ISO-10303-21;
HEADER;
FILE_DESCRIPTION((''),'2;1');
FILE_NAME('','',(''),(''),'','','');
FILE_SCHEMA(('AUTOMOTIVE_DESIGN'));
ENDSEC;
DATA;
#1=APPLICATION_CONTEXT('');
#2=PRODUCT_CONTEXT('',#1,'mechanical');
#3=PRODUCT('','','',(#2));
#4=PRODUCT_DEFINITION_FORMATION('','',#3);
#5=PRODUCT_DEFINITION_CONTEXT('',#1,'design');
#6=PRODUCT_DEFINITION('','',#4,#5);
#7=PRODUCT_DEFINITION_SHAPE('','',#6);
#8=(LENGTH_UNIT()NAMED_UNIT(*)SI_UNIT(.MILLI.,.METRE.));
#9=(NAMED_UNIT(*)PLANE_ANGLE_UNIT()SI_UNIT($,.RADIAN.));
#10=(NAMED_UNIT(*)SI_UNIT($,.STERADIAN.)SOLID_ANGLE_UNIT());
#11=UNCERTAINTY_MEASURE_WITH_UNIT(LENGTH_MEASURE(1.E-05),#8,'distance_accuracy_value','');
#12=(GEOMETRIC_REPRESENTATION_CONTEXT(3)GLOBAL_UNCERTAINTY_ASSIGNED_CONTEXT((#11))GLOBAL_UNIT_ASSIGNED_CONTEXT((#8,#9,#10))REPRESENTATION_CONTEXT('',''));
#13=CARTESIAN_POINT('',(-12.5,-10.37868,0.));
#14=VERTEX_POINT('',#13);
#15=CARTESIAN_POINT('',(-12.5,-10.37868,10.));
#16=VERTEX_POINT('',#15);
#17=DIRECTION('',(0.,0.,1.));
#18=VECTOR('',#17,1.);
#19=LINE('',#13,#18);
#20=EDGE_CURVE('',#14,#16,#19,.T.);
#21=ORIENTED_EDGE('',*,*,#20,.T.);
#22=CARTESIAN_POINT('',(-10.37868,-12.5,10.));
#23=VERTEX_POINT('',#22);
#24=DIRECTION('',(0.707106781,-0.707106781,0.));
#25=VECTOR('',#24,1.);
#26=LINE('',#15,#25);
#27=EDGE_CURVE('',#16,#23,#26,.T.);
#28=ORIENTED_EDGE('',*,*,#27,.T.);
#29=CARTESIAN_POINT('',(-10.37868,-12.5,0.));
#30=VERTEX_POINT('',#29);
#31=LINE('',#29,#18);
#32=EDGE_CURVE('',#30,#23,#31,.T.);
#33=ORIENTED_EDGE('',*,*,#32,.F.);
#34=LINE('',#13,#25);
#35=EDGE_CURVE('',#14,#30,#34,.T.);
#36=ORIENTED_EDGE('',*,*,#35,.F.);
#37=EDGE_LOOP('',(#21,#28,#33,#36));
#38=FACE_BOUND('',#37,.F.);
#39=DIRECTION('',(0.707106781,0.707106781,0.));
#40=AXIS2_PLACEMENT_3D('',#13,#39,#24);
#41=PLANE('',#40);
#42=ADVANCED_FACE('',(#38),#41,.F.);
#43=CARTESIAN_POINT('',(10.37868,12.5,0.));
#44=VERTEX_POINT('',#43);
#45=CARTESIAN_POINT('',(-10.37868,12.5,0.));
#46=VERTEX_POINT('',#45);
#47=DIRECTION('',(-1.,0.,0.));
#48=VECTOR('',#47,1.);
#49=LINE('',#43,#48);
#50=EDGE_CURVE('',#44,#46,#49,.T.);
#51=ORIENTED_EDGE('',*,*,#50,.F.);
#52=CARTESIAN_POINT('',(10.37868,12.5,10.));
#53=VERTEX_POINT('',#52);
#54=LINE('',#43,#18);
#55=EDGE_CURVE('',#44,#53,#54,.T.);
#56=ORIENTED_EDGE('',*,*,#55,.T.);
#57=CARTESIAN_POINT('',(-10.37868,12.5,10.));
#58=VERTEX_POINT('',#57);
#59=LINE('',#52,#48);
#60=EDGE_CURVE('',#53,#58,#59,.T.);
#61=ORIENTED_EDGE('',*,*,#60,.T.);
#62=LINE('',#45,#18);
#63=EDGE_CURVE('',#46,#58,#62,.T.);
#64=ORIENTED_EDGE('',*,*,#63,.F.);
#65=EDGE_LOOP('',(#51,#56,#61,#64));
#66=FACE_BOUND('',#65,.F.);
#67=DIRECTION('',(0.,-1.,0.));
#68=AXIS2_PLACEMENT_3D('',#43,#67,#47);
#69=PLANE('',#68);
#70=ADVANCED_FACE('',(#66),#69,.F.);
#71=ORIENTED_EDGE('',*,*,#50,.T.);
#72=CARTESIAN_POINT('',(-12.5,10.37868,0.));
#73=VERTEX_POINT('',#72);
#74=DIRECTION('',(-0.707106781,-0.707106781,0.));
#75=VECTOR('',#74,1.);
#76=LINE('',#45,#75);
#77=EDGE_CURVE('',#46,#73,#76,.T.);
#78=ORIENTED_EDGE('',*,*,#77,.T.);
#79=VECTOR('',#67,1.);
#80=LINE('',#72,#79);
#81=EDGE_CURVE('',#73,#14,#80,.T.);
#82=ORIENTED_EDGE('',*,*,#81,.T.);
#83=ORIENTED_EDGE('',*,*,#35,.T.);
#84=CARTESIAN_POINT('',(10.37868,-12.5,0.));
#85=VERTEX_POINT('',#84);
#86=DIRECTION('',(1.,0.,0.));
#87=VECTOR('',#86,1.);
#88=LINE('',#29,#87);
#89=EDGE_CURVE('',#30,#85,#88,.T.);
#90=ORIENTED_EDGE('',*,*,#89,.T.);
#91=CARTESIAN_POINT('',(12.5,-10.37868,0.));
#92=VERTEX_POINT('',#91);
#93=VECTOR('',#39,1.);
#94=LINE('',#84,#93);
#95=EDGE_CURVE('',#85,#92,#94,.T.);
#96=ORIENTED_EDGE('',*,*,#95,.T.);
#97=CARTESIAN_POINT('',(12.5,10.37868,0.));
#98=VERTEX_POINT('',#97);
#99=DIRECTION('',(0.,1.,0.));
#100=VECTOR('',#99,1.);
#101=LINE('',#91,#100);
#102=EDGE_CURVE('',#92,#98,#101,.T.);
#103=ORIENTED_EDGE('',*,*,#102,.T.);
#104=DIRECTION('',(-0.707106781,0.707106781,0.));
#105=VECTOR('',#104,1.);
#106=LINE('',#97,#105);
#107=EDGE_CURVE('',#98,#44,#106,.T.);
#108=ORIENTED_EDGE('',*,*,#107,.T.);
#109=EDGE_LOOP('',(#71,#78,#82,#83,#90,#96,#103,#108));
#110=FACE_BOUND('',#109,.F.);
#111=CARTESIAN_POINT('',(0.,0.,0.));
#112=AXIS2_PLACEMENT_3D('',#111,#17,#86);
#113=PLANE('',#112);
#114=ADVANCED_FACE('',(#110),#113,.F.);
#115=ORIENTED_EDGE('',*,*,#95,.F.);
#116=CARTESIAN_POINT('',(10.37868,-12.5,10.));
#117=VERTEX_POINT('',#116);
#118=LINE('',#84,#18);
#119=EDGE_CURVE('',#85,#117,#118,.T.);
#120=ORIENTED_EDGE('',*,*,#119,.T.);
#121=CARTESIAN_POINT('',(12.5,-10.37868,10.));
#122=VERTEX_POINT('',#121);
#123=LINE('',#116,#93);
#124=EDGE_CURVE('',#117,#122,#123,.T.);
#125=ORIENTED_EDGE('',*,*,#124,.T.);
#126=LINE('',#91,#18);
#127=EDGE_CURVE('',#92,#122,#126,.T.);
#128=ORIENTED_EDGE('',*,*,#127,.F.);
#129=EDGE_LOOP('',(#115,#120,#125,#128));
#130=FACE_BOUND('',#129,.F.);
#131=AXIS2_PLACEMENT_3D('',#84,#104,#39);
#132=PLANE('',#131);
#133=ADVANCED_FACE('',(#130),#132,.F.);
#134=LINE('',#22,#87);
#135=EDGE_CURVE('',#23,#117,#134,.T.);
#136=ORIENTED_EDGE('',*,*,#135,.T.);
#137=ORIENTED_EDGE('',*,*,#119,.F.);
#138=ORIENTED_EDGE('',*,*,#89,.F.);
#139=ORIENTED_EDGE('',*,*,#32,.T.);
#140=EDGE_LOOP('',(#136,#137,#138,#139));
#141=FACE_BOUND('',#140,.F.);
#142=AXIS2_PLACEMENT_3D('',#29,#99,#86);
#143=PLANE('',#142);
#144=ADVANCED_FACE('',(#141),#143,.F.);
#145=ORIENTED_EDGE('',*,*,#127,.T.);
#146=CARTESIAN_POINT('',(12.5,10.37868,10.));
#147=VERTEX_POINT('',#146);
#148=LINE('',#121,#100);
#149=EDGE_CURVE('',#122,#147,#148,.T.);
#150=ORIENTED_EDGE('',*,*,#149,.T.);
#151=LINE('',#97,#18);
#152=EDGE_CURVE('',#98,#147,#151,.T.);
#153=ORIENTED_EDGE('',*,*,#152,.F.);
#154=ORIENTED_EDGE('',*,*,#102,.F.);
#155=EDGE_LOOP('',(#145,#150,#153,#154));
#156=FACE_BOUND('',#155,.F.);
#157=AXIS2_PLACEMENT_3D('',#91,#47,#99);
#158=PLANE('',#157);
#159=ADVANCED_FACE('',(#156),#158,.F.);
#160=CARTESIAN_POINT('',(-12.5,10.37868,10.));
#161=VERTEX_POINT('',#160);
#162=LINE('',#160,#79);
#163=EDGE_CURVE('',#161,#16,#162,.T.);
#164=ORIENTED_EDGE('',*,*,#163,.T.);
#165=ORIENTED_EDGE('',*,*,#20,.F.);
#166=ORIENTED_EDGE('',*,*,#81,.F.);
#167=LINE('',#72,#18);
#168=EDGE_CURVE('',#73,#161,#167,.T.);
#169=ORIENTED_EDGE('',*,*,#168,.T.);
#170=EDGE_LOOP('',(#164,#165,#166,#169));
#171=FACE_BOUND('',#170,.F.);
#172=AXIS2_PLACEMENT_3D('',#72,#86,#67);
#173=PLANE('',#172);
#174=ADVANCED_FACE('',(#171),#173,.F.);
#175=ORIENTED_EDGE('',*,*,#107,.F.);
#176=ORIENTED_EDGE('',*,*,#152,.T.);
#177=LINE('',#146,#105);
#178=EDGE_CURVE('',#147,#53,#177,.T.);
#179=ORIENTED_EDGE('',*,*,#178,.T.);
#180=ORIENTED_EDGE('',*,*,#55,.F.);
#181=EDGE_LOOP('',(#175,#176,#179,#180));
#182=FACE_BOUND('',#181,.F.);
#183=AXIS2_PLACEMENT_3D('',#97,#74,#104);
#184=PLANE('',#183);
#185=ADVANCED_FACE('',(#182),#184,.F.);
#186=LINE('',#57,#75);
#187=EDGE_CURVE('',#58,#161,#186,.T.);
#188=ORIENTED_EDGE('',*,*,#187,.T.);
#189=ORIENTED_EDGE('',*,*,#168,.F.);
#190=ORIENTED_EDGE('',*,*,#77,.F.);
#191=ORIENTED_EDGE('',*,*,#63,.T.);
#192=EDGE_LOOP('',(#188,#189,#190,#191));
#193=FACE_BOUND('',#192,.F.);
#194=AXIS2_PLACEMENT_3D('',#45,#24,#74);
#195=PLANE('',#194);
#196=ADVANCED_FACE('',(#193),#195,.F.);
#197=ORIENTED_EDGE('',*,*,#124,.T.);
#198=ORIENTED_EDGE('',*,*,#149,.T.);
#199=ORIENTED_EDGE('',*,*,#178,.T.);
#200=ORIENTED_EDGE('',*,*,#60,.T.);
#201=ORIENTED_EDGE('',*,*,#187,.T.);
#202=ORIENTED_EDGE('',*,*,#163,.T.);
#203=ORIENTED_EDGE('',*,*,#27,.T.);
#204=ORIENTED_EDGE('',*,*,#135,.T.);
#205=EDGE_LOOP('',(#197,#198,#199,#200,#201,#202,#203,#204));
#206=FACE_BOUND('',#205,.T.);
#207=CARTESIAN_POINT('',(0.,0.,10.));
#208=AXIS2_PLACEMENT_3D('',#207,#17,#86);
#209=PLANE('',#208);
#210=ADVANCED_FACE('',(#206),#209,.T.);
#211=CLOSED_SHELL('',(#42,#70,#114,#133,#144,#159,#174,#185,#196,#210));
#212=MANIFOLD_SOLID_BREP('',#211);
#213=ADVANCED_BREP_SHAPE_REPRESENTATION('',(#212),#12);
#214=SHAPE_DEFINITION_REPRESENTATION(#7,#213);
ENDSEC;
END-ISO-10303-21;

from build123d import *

# Parameters (mm, degrees)
PAD_DEPTH = 10


with BuildPart() as part:
    # Sketch → Pad (new body)
    with BuildSketch(Plane.XY):
        Polygon((-12.5, 10.37868), (-12.5, -10.37868), (-10.37868, -12.5), (10.37868, -12.5), (12.5, -10.37868), (12.5, 10.37868), (10.37868, 12.5), (-10.37868, 12.5), align=None)
    extrude(amount=PAD_DEPTH)


solid = part.part
